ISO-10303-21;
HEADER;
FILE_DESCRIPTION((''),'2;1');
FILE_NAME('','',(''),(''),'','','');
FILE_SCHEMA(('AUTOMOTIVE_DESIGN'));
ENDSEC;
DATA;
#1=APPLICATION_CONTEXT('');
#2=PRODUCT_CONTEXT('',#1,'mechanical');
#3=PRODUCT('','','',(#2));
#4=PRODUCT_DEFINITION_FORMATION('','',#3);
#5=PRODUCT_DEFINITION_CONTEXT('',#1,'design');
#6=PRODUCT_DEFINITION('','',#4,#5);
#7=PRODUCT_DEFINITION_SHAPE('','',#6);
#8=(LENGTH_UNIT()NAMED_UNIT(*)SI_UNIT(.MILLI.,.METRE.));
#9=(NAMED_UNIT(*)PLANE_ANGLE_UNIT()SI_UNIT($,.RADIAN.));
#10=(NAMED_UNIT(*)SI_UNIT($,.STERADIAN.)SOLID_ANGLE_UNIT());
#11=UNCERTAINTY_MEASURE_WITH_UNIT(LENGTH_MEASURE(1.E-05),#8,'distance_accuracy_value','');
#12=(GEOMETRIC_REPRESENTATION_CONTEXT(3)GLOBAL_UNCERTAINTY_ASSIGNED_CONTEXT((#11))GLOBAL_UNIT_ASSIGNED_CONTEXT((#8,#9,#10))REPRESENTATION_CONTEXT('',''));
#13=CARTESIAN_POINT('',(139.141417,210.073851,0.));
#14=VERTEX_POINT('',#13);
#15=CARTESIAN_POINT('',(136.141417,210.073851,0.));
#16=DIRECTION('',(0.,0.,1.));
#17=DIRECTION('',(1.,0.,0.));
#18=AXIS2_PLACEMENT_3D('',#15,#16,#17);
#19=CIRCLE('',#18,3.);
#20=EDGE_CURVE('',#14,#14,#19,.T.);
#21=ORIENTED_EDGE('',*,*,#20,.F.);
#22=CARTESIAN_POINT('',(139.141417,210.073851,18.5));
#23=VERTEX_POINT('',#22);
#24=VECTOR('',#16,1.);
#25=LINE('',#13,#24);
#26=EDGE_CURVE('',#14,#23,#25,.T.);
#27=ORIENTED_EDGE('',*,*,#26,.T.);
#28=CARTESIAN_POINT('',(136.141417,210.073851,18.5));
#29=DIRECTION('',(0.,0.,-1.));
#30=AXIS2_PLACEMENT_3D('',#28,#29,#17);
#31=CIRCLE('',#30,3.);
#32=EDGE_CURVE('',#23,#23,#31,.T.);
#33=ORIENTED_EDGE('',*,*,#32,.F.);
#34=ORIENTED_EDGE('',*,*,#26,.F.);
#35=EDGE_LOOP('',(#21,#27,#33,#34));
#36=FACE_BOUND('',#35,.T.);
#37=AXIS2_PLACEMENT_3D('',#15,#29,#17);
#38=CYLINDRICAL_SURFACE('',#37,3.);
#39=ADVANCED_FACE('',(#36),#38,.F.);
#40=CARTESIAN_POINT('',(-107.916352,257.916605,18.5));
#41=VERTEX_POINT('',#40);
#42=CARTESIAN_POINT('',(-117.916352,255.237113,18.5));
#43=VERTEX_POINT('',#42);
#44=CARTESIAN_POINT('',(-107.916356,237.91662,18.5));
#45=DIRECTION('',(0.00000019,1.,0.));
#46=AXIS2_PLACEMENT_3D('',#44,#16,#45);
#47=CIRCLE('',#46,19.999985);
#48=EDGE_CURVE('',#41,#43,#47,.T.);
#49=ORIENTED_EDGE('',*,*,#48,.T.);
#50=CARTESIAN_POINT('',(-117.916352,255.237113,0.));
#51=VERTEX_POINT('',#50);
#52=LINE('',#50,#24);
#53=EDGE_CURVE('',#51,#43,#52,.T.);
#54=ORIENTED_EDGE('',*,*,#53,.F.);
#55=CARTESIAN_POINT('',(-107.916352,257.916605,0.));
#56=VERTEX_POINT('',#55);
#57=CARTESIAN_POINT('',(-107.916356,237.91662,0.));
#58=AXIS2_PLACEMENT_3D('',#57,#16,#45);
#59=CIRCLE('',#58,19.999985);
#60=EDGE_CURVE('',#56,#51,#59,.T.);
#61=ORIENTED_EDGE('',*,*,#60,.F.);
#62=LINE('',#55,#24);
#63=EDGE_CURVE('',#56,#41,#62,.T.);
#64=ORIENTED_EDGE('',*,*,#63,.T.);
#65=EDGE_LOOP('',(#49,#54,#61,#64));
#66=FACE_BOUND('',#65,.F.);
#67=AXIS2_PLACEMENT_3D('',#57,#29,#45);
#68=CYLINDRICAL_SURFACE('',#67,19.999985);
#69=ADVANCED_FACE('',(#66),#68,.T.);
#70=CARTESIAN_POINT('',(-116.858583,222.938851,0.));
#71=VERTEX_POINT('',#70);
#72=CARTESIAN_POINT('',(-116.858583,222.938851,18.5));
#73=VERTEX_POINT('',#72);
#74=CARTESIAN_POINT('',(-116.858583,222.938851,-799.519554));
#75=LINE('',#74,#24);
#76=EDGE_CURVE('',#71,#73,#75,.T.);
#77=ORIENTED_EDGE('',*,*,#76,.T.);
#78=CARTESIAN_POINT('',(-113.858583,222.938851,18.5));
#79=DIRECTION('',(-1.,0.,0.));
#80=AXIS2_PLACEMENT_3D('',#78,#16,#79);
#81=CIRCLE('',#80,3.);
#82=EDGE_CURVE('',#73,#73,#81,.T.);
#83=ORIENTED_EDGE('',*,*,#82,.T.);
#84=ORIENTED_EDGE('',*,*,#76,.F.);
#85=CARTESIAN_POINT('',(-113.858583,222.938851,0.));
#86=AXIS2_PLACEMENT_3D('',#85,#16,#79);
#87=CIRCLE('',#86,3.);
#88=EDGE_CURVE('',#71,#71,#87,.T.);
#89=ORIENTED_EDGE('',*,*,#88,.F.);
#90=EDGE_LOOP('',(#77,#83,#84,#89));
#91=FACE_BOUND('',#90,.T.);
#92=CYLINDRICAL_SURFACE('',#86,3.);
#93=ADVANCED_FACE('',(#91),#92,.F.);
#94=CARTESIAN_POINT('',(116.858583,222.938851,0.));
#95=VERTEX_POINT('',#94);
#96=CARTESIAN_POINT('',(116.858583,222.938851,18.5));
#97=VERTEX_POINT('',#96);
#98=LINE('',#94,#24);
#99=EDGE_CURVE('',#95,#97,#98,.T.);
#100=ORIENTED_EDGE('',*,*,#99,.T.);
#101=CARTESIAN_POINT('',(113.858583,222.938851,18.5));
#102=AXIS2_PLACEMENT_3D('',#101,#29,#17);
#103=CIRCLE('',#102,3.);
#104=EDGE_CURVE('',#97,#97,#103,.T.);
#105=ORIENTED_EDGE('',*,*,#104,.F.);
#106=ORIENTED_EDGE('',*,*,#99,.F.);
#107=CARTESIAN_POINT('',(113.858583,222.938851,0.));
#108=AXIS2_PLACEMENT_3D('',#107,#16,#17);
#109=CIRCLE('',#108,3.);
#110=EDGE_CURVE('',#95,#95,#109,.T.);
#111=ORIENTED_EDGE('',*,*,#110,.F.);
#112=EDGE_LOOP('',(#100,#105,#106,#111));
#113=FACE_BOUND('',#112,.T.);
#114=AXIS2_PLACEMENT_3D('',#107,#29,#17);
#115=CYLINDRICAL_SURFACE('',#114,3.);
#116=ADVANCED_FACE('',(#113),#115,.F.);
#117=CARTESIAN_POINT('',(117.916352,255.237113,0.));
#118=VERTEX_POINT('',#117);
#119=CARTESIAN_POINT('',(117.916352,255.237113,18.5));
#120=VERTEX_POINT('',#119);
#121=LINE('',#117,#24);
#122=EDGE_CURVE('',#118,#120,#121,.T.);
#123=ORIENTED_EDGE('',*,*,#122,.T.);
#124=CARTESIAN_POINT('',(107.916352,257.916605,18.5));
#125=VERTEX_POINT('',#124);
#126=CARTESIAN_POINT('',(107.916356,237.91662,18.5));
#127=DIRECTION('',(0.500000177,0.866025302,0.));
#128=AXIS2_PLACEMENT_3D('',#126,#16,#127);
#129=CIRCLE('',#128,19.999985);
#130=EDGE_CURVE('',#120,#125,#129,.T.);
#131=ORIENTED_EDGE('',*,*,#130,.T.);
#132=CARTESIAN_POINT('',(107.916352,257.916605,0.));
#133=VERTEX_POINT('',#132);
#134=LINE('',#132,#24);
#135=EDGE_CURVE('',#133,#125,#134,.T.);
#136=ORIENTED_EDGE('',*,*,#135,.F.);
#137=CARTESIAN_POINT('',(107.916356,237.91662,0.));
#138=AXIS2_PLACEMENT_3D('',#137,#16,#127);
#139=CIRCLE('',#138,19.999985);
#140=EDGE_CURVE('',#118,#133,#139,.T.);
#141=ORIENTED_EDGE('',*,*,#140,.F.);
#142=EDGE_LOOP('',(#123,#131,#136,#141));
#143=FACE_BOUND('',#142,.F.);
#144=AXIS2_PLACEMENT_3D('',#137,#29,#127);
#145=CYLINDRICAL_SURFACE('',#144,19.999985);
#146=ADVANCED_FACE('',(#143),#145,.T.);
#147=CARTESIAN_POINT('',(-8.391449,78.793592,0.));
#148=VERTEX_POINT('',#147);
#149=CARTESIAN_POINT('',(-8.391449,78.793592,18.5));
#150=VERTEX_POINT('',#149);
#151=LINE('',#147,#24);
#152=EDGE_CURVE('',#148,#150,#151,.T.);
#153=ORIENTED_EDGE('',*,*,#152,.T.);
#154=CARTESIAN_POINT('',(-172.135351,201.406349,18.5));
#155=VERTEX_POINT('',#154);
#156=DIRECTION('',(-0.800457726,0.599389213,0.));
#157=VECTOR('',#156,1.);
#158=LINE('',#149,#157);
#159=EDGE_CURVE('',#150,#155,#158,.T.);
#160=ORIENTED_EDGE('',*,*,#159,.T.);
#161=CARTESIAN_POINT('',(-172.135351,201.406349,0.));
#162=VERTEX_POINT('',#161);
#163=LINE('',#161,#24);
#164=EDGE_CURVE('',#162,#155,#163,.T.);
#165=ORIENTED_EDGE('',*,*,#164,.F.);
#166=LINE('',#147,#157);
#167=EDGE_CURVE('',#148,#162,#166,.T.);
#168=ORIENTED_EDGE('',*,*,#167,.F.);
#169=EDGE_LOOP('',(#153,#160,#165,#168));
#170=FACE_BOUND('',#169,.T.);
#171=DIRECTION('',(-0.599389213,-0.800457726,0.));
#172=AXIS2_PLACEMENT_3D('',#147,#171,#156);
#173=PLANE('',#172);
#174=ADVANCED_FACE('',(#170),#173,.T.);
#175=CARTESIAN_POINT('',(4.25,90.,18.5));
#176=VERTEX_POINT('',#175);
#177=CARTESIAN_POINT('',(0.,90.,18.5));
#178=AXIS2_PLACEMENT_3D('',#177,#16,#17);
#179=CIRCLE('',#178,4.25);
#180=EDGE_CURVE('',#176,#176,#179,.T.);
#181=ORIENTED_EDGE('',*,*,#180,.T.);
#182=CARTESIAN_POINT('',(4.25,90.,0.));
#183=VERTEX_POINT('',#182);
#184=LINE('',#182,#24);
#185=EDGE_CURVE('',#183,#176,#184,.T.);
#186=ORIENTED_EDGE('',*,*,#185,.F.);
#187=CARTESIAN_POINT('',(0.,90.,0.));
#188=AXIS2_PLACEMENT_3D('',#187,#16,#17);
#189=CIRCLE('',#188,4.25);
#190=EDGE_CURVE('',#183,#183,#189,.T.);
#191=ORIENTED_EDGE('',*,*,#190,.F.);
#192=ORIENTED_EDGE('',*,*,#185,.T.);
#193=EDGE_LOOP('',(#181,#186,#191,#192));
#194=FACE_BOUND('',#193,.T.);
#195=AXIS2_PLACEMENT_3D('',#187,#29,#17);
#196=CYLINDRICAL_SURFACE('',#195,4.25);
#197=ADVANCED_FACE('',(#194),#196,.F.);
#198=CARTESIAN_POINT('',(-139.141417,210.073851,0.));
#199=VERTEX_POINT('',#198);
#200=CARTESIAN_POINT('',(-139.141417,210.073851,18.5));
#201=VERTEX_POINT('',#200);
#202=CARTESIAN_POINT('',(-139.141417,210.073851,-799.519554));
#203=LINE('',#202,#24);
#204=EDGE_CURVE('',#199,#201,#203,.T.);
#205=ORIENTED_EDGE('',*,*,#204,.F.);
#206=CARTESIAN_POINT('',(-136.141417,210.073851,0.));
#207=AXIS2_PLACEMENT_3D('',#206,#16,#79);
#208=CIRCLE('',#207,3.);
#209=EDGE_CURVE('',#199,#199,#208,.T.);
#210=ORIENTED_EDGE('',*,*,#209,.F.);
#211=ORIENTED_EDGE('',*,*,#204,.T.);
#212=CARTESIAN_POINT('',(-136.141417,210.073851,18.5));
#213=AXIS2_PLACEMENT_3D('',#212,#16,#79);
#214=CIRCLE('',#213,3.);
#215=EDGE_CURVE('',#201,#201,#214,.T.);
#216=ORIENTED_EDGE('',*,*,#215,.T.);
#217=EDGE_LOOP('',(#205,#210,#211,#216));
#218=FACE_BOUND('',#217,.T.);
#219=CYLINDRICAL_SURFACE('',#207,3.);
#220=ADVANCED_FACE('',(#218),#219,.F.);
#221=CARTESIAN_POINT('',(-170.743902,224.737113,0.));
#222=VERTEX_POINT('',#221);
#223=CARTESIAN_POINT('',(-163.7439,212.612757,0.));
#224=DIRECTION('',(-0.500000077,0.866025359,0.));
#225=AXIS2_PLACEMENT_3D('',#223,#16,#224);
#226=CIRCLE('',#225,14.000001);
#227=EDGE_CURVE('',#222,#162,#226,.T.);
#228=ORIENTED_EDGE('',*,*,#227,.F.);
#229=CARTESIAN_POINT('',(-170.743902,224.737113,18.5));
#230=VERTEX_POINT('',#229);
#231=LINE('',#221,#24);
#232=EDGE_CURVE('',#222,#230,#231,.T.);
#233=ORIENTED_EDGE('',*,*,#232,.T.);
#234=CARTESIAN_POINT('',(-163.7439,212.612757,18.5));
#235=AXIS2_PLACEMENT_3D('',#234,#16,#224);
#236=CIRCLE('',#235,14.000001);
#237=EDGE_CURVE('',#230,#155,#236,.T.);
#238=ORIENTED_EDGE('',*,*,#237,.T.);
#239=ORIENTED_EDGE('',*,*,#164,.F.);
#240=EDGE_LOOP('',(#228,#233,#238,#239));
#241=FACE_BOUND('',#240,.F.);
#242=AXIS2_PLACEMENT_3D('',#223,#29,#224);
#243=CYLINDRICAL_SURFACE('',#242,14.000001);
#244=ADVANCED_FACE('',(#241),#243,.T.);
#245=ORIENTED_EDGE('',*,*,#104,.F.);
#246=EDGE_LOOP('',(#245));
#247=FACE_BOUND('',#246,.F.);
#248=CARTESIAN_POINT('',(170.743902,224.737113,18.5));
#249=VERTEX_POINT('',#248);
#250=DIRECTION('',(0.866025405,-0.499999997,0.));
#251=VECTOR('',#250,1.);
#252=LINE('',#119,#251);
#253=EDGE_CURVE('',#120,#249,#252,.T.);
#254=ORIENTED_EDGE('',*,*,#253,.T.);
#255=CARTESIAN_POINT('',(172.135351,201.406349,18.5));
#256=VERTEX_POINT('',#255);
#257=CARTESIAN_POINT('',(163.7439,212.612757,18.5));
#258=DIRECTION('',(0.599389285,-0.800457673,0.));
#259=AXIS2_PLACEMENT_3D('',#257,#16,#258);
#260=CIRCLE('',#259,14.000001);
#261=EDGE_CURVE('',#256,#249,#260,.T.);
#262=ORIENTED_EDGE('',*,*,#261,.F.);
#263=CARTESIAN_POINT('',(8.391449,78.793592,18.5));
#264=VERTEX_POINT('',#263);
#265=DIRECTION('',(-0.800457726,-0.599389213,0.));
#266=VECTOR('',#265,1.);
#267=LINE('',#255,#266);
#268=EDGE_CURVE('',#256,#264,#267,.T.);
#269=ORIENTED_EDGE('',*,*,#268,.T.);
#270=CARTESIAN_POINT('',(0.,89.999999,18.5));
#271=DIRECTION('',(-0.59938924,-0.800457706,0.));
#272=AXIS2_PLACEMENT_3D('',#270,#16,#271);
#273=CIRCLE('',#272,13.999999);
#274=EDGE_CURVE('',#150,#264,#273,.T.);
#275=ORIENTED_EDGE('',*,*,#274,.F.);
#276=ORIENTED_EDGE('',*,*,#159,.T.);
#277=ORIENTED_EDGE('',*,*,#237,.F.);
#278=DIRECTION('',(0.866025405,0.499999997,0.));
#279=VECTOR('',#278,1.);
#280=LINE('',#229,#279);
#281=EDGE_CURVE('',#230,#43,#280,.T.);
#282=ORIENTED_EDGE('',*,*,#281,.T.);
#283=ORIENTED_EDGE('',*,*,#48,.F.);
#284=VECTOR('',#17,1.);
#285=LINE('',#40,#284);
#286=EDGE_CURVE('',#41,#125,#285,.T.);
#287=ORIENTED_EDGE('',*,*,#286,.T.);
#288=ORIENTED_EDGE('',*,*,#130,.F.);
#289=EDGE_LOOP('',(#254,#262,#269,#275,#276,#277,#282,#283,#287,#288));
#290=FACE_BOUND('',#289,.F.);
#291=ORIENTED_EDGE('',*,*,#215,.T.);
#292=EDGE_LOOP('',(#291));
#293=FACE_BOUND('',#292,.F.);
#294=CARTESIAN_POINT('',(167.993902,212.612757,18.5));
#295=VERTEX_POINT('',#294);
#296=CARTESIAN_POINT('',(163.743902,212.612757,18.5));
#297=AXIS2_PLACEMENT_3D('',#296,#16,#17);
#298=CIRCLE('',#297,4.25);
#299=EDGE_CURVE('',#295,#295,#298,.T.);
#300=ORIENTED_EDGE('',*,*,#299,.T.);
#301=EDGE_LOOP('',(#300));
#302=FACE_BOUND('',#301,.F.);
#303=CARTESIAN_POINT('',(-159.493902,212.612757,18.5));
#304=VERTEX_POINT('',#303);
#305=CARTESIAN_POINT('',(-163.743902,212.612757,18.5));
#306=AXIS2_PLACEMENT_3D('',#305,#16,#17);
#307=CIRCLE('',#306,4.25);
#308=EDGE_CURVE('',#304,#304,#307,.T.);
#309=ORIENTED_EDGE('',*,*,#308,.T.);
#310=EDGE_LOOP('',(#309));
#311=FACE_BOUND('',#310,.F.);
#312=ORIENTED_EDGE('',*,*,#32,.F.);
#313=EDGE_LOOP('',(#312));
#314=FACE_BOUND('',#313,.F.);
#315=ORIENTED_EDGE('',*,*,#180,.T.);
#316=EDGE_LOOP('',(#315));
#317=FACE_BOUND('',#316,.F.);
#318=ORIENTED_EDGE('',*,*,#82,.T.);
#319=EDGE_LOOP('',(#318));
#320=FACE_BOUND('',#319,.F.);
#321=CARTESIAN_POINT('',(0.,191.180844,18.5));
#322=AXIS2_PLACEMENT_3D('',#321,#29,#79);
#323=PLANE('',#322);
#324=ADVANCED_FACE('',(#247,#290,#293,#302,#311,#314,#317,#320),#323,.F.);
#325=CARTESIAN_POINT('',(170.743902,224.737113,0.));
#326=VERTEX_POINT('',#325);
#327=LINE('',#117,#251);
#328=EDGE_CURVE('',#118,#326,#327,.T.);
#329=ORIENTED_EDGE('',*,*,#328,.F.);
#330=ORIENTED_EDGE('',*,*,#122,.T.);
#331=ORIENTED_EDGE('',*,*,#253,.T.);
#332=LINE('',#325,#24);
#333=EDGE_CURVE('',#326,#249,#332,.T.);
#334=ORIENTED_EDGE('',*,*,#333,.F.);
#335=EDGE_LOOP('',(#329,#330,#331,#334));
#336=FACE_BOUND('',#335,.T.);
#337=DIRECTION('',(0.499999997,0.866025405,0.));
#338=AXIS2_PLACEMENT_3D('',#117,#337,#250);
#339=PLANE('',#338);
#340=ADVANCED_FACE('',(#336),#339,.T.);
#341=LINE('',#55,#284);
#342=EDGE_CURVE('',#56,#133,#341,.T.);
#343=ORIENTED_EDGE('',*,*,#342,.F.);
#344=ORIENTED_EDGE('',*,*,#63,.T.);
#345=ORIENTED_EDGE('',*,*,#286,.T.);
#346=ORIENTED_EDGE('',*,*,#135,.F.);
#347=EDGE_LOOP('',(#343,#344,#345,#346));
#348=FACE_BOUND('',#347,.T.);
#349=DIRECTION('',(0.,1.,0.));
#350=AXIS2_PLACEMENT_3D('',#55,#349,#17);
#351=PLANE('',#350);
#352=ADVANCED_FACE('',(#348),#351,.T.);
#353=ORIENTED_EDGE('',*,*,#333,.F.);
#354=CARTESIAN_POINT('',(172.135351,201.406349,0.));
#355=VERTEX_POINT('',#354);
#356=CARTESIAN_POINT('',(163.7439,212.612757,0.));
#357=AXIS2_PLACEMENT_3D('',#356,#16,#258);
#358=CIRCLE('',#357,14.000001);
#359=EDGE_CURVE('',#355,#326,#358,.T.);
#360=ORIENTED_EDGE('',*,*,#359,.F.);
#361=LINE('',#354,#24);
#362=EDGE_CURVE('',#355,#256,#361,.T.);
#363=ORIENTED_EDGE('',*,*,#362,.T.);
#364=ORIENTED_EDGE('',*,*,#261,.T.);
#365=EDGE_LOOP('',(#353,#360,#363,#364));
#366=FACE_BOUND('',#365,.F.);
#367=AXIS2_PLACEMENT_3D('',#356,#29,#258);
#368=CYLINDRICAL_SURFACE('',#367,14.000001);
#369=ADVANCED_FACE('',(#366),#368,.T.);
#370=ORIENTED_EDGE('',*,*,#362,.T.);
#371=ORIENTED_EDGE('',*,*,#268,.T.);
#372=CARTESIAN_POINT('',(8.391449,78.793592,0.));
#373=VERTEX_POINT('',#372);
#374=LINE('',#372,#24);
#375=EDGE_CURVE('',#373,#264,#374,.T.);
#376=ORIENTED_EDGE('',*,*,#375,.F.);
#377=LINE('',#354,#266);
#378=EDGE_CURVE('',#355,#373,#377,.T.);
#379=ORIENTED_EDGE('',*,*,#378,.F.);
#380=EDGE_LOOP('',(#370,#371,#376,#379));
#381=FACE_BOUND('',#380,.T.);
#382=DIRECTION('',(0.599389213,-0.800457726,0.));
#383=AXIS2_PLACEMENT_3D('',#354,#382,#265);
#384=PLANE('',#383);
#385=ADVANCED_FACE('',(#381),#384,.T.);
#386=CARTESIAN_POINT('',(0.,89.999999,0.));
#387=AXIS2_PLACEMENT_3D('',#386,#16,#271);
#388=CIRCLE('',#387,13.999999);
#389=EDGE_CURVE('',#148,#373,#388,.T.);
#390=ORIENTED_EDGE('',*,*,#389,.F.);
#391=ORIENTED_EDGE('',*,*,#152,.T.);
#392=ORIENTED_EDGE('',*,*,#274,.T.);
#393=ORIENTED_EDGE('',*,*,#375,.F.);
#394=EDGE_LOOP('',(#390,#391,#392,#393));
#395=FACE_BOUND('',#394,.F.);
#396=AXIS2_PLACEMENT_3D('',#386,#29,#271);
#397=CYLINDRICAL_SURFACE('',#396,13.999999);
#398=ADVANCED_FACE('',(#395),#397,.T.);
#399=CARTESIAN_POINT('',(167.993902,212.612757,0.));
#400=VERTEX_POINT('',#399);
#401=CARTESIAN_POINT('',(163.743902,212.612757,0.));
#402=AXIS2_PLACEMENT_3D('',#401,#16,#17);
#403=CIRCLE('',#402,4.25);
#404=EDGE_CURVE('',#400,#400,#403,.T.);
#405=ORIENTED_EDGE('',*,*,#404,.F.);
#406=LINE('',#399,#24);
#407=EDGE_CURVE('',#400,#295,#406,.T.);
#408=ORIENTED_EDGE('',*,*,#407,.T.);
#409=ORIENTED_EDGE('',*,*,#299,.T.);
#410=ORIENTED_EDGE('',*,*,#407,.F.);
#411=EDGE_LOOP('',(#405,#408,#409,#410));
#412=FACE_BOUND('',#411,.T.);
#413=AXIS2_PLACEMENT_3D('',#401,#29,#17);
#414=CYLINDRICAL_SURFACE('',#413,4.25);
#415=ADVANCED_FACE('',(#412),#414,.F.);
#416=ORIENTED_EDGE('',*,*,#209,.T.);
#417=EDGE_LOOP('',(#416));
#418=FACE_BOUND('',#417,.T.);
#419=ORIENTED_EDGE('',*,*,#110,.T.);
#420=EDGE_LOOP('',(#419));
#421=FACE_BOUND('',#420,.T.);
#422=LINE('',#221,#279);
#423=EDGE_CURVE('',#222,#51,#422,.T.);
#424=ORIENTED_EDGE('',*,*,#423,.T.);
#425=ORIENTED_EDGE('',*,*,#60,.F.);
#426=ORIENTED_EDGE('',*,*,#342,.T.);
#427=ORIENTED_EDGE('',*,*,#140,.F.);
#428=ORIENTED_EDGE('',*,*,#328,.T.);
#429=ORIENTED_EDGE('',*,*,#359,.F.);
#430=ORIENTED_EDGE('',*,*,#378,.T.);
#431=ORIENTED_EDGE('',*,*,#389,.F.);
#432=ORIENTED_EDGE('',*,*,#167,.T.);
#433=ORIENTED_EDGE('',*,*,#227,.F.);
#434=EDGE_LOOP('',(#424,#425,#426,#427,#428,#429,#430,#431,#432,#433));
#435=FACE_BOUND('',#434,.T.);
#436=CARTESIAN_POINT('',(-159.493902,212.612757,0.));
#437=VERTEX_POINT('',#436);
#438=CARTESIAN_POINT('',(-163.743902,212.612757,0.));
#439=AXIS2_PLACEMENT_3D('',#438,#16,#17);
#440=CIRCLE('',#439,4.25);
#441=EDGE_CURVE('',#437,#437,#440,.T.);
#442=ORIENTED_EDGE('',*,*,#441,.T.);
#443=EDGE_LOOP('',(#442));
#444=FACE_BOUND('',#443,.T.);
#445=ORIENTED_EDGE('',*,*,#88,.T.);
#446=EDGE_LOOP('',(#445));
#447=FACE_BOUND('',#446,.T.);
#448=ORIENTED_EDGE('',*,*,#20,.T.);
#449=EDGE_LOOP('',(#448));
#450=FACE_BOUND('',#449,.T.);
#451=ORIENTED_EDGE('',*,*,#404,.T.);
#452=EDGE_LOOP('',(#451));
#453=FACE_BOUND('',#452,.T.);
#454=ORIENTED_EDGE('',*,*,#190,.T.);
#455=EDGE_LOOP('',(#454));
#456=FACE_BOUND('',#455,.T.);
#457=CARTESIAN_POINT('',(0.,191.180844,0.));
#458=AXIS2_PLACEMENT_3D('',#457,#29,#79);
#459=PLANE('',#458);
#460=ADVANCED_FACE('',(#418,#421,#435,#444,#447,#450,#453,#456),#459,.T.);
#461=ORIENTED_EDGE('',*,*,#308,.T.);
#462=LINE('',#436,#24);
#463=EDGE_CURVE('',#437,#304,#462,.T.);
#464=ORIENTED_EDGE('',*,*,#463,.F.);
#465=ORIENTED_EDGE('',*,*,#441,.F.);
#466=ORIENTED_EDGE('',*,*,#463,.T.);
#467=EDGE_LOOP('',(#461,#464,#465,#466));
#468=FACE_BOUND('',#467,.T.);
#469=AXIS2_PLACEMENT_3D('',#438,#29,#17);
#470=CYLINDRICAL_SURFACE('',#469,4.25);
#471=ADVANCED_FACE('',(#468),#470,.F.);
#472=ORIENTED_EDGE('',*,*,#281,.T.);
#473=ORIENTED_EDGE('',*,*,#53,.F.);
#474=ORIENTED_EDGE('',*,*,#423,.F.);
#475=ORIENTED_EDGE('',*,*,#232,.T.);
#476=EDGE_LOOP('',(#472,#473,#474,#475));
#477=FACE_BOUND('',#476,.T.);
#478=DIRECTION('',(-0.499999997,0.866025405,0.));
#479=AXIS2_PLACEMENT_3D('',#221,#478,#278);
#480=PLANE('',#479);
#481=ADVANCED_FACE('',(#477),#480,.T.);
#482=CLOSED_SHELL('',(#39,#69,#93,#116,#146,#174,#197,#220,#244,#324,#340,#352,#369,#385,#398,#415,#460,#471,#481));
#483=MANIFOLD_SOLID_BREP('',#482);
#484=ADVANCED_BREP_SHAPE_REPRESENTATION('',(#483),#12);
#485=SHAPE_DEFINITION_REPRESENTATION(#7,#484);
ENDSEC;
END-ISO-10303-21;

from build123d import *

# Parameters (mm, degrees)
SKETCH_R          = 4.25
PAD_DEPTH         = 18.5
SKETCH001_R       = 3
POCKET_DEPTH      = 799.519554
POCKET_DEPTH_BACK = 818.019554


with BuildPart() as part:
    # Sketch → Pad (new body)
    with BuildSketch(Plane.XY):
        with BuildLine():
            Line((-170.743902, 224.737113), (-117.916352, 255.237113))
            ThreePointArc((-107.916352, 257.916605), (-113.092733, 257.235122), (-117.916352, 255.237113))
            Line((-107.916352, 257.916605), (107.916352, 257.916605))
            ThreePointArc((117.916352, 255.237113), (113.092733, 257.235122), (107.916352, 257.916605))
            Line((117.916352, 255.237113), (170.743902, 224.737113))
            ThreePointArc((172.135351, 201.406349), (177.719069, 213.446238), (170.743902, 224.737113))
            Line((172.135351, 201.406349), (8.391449, 78.793592))
            ThreePointArc((-8.391449, 78.793592), (0, 76), (8.391449, 78.793592))
            Line((-8.391449, 78.793592), (-172.135351, 201.406349))
            ThreePointArc((-170.743902, 224.737113), (-177.719069, 213.446238), (-172.135351, 201.406349))
        make_face()
        with Locations((163.743902, 212.612757)):
            Circle(SKETCH_R, mode=Mode.SUBTRACT)
        with Locations((-163.743902, 212.612757)):
            Circle(SKETCH_R, mode=Mode.SUBTRACT)
        with Locations((0, 90)):
            Circle(SKETCH_R, mode=Mode.SUBTRACT)
    extrude(amount=PAD_DEPTH)

    # Sketch001 → Pocket (cut, two sides)
    with BuildSketch(Plane.XY) as pocket_sk:
        with Locations((113.858583, 222.938851)):
            Circle(SKETCH001_R)
        with Locations((136.141417, 210.073851)):
            Circle(SKETCH001_R)
    pocket = extrude(amount=-POCKET_DEPTH, mode=Mode.SUBTRACT) + extrude(pocket_sk.sketch, amount=POCKET_DEPTH_BACK, mode=Mode.SUBTRACT)

    # Mirrored: Pocket across Sketch001 V_Axis
    add(pocket.mirror(Plane(origin=(0, 0, 0), x_dir=(0, 0, 1), z_dir=(1, 0, 0))), mode=Mode.SUBTRACT)


solid = part.part
